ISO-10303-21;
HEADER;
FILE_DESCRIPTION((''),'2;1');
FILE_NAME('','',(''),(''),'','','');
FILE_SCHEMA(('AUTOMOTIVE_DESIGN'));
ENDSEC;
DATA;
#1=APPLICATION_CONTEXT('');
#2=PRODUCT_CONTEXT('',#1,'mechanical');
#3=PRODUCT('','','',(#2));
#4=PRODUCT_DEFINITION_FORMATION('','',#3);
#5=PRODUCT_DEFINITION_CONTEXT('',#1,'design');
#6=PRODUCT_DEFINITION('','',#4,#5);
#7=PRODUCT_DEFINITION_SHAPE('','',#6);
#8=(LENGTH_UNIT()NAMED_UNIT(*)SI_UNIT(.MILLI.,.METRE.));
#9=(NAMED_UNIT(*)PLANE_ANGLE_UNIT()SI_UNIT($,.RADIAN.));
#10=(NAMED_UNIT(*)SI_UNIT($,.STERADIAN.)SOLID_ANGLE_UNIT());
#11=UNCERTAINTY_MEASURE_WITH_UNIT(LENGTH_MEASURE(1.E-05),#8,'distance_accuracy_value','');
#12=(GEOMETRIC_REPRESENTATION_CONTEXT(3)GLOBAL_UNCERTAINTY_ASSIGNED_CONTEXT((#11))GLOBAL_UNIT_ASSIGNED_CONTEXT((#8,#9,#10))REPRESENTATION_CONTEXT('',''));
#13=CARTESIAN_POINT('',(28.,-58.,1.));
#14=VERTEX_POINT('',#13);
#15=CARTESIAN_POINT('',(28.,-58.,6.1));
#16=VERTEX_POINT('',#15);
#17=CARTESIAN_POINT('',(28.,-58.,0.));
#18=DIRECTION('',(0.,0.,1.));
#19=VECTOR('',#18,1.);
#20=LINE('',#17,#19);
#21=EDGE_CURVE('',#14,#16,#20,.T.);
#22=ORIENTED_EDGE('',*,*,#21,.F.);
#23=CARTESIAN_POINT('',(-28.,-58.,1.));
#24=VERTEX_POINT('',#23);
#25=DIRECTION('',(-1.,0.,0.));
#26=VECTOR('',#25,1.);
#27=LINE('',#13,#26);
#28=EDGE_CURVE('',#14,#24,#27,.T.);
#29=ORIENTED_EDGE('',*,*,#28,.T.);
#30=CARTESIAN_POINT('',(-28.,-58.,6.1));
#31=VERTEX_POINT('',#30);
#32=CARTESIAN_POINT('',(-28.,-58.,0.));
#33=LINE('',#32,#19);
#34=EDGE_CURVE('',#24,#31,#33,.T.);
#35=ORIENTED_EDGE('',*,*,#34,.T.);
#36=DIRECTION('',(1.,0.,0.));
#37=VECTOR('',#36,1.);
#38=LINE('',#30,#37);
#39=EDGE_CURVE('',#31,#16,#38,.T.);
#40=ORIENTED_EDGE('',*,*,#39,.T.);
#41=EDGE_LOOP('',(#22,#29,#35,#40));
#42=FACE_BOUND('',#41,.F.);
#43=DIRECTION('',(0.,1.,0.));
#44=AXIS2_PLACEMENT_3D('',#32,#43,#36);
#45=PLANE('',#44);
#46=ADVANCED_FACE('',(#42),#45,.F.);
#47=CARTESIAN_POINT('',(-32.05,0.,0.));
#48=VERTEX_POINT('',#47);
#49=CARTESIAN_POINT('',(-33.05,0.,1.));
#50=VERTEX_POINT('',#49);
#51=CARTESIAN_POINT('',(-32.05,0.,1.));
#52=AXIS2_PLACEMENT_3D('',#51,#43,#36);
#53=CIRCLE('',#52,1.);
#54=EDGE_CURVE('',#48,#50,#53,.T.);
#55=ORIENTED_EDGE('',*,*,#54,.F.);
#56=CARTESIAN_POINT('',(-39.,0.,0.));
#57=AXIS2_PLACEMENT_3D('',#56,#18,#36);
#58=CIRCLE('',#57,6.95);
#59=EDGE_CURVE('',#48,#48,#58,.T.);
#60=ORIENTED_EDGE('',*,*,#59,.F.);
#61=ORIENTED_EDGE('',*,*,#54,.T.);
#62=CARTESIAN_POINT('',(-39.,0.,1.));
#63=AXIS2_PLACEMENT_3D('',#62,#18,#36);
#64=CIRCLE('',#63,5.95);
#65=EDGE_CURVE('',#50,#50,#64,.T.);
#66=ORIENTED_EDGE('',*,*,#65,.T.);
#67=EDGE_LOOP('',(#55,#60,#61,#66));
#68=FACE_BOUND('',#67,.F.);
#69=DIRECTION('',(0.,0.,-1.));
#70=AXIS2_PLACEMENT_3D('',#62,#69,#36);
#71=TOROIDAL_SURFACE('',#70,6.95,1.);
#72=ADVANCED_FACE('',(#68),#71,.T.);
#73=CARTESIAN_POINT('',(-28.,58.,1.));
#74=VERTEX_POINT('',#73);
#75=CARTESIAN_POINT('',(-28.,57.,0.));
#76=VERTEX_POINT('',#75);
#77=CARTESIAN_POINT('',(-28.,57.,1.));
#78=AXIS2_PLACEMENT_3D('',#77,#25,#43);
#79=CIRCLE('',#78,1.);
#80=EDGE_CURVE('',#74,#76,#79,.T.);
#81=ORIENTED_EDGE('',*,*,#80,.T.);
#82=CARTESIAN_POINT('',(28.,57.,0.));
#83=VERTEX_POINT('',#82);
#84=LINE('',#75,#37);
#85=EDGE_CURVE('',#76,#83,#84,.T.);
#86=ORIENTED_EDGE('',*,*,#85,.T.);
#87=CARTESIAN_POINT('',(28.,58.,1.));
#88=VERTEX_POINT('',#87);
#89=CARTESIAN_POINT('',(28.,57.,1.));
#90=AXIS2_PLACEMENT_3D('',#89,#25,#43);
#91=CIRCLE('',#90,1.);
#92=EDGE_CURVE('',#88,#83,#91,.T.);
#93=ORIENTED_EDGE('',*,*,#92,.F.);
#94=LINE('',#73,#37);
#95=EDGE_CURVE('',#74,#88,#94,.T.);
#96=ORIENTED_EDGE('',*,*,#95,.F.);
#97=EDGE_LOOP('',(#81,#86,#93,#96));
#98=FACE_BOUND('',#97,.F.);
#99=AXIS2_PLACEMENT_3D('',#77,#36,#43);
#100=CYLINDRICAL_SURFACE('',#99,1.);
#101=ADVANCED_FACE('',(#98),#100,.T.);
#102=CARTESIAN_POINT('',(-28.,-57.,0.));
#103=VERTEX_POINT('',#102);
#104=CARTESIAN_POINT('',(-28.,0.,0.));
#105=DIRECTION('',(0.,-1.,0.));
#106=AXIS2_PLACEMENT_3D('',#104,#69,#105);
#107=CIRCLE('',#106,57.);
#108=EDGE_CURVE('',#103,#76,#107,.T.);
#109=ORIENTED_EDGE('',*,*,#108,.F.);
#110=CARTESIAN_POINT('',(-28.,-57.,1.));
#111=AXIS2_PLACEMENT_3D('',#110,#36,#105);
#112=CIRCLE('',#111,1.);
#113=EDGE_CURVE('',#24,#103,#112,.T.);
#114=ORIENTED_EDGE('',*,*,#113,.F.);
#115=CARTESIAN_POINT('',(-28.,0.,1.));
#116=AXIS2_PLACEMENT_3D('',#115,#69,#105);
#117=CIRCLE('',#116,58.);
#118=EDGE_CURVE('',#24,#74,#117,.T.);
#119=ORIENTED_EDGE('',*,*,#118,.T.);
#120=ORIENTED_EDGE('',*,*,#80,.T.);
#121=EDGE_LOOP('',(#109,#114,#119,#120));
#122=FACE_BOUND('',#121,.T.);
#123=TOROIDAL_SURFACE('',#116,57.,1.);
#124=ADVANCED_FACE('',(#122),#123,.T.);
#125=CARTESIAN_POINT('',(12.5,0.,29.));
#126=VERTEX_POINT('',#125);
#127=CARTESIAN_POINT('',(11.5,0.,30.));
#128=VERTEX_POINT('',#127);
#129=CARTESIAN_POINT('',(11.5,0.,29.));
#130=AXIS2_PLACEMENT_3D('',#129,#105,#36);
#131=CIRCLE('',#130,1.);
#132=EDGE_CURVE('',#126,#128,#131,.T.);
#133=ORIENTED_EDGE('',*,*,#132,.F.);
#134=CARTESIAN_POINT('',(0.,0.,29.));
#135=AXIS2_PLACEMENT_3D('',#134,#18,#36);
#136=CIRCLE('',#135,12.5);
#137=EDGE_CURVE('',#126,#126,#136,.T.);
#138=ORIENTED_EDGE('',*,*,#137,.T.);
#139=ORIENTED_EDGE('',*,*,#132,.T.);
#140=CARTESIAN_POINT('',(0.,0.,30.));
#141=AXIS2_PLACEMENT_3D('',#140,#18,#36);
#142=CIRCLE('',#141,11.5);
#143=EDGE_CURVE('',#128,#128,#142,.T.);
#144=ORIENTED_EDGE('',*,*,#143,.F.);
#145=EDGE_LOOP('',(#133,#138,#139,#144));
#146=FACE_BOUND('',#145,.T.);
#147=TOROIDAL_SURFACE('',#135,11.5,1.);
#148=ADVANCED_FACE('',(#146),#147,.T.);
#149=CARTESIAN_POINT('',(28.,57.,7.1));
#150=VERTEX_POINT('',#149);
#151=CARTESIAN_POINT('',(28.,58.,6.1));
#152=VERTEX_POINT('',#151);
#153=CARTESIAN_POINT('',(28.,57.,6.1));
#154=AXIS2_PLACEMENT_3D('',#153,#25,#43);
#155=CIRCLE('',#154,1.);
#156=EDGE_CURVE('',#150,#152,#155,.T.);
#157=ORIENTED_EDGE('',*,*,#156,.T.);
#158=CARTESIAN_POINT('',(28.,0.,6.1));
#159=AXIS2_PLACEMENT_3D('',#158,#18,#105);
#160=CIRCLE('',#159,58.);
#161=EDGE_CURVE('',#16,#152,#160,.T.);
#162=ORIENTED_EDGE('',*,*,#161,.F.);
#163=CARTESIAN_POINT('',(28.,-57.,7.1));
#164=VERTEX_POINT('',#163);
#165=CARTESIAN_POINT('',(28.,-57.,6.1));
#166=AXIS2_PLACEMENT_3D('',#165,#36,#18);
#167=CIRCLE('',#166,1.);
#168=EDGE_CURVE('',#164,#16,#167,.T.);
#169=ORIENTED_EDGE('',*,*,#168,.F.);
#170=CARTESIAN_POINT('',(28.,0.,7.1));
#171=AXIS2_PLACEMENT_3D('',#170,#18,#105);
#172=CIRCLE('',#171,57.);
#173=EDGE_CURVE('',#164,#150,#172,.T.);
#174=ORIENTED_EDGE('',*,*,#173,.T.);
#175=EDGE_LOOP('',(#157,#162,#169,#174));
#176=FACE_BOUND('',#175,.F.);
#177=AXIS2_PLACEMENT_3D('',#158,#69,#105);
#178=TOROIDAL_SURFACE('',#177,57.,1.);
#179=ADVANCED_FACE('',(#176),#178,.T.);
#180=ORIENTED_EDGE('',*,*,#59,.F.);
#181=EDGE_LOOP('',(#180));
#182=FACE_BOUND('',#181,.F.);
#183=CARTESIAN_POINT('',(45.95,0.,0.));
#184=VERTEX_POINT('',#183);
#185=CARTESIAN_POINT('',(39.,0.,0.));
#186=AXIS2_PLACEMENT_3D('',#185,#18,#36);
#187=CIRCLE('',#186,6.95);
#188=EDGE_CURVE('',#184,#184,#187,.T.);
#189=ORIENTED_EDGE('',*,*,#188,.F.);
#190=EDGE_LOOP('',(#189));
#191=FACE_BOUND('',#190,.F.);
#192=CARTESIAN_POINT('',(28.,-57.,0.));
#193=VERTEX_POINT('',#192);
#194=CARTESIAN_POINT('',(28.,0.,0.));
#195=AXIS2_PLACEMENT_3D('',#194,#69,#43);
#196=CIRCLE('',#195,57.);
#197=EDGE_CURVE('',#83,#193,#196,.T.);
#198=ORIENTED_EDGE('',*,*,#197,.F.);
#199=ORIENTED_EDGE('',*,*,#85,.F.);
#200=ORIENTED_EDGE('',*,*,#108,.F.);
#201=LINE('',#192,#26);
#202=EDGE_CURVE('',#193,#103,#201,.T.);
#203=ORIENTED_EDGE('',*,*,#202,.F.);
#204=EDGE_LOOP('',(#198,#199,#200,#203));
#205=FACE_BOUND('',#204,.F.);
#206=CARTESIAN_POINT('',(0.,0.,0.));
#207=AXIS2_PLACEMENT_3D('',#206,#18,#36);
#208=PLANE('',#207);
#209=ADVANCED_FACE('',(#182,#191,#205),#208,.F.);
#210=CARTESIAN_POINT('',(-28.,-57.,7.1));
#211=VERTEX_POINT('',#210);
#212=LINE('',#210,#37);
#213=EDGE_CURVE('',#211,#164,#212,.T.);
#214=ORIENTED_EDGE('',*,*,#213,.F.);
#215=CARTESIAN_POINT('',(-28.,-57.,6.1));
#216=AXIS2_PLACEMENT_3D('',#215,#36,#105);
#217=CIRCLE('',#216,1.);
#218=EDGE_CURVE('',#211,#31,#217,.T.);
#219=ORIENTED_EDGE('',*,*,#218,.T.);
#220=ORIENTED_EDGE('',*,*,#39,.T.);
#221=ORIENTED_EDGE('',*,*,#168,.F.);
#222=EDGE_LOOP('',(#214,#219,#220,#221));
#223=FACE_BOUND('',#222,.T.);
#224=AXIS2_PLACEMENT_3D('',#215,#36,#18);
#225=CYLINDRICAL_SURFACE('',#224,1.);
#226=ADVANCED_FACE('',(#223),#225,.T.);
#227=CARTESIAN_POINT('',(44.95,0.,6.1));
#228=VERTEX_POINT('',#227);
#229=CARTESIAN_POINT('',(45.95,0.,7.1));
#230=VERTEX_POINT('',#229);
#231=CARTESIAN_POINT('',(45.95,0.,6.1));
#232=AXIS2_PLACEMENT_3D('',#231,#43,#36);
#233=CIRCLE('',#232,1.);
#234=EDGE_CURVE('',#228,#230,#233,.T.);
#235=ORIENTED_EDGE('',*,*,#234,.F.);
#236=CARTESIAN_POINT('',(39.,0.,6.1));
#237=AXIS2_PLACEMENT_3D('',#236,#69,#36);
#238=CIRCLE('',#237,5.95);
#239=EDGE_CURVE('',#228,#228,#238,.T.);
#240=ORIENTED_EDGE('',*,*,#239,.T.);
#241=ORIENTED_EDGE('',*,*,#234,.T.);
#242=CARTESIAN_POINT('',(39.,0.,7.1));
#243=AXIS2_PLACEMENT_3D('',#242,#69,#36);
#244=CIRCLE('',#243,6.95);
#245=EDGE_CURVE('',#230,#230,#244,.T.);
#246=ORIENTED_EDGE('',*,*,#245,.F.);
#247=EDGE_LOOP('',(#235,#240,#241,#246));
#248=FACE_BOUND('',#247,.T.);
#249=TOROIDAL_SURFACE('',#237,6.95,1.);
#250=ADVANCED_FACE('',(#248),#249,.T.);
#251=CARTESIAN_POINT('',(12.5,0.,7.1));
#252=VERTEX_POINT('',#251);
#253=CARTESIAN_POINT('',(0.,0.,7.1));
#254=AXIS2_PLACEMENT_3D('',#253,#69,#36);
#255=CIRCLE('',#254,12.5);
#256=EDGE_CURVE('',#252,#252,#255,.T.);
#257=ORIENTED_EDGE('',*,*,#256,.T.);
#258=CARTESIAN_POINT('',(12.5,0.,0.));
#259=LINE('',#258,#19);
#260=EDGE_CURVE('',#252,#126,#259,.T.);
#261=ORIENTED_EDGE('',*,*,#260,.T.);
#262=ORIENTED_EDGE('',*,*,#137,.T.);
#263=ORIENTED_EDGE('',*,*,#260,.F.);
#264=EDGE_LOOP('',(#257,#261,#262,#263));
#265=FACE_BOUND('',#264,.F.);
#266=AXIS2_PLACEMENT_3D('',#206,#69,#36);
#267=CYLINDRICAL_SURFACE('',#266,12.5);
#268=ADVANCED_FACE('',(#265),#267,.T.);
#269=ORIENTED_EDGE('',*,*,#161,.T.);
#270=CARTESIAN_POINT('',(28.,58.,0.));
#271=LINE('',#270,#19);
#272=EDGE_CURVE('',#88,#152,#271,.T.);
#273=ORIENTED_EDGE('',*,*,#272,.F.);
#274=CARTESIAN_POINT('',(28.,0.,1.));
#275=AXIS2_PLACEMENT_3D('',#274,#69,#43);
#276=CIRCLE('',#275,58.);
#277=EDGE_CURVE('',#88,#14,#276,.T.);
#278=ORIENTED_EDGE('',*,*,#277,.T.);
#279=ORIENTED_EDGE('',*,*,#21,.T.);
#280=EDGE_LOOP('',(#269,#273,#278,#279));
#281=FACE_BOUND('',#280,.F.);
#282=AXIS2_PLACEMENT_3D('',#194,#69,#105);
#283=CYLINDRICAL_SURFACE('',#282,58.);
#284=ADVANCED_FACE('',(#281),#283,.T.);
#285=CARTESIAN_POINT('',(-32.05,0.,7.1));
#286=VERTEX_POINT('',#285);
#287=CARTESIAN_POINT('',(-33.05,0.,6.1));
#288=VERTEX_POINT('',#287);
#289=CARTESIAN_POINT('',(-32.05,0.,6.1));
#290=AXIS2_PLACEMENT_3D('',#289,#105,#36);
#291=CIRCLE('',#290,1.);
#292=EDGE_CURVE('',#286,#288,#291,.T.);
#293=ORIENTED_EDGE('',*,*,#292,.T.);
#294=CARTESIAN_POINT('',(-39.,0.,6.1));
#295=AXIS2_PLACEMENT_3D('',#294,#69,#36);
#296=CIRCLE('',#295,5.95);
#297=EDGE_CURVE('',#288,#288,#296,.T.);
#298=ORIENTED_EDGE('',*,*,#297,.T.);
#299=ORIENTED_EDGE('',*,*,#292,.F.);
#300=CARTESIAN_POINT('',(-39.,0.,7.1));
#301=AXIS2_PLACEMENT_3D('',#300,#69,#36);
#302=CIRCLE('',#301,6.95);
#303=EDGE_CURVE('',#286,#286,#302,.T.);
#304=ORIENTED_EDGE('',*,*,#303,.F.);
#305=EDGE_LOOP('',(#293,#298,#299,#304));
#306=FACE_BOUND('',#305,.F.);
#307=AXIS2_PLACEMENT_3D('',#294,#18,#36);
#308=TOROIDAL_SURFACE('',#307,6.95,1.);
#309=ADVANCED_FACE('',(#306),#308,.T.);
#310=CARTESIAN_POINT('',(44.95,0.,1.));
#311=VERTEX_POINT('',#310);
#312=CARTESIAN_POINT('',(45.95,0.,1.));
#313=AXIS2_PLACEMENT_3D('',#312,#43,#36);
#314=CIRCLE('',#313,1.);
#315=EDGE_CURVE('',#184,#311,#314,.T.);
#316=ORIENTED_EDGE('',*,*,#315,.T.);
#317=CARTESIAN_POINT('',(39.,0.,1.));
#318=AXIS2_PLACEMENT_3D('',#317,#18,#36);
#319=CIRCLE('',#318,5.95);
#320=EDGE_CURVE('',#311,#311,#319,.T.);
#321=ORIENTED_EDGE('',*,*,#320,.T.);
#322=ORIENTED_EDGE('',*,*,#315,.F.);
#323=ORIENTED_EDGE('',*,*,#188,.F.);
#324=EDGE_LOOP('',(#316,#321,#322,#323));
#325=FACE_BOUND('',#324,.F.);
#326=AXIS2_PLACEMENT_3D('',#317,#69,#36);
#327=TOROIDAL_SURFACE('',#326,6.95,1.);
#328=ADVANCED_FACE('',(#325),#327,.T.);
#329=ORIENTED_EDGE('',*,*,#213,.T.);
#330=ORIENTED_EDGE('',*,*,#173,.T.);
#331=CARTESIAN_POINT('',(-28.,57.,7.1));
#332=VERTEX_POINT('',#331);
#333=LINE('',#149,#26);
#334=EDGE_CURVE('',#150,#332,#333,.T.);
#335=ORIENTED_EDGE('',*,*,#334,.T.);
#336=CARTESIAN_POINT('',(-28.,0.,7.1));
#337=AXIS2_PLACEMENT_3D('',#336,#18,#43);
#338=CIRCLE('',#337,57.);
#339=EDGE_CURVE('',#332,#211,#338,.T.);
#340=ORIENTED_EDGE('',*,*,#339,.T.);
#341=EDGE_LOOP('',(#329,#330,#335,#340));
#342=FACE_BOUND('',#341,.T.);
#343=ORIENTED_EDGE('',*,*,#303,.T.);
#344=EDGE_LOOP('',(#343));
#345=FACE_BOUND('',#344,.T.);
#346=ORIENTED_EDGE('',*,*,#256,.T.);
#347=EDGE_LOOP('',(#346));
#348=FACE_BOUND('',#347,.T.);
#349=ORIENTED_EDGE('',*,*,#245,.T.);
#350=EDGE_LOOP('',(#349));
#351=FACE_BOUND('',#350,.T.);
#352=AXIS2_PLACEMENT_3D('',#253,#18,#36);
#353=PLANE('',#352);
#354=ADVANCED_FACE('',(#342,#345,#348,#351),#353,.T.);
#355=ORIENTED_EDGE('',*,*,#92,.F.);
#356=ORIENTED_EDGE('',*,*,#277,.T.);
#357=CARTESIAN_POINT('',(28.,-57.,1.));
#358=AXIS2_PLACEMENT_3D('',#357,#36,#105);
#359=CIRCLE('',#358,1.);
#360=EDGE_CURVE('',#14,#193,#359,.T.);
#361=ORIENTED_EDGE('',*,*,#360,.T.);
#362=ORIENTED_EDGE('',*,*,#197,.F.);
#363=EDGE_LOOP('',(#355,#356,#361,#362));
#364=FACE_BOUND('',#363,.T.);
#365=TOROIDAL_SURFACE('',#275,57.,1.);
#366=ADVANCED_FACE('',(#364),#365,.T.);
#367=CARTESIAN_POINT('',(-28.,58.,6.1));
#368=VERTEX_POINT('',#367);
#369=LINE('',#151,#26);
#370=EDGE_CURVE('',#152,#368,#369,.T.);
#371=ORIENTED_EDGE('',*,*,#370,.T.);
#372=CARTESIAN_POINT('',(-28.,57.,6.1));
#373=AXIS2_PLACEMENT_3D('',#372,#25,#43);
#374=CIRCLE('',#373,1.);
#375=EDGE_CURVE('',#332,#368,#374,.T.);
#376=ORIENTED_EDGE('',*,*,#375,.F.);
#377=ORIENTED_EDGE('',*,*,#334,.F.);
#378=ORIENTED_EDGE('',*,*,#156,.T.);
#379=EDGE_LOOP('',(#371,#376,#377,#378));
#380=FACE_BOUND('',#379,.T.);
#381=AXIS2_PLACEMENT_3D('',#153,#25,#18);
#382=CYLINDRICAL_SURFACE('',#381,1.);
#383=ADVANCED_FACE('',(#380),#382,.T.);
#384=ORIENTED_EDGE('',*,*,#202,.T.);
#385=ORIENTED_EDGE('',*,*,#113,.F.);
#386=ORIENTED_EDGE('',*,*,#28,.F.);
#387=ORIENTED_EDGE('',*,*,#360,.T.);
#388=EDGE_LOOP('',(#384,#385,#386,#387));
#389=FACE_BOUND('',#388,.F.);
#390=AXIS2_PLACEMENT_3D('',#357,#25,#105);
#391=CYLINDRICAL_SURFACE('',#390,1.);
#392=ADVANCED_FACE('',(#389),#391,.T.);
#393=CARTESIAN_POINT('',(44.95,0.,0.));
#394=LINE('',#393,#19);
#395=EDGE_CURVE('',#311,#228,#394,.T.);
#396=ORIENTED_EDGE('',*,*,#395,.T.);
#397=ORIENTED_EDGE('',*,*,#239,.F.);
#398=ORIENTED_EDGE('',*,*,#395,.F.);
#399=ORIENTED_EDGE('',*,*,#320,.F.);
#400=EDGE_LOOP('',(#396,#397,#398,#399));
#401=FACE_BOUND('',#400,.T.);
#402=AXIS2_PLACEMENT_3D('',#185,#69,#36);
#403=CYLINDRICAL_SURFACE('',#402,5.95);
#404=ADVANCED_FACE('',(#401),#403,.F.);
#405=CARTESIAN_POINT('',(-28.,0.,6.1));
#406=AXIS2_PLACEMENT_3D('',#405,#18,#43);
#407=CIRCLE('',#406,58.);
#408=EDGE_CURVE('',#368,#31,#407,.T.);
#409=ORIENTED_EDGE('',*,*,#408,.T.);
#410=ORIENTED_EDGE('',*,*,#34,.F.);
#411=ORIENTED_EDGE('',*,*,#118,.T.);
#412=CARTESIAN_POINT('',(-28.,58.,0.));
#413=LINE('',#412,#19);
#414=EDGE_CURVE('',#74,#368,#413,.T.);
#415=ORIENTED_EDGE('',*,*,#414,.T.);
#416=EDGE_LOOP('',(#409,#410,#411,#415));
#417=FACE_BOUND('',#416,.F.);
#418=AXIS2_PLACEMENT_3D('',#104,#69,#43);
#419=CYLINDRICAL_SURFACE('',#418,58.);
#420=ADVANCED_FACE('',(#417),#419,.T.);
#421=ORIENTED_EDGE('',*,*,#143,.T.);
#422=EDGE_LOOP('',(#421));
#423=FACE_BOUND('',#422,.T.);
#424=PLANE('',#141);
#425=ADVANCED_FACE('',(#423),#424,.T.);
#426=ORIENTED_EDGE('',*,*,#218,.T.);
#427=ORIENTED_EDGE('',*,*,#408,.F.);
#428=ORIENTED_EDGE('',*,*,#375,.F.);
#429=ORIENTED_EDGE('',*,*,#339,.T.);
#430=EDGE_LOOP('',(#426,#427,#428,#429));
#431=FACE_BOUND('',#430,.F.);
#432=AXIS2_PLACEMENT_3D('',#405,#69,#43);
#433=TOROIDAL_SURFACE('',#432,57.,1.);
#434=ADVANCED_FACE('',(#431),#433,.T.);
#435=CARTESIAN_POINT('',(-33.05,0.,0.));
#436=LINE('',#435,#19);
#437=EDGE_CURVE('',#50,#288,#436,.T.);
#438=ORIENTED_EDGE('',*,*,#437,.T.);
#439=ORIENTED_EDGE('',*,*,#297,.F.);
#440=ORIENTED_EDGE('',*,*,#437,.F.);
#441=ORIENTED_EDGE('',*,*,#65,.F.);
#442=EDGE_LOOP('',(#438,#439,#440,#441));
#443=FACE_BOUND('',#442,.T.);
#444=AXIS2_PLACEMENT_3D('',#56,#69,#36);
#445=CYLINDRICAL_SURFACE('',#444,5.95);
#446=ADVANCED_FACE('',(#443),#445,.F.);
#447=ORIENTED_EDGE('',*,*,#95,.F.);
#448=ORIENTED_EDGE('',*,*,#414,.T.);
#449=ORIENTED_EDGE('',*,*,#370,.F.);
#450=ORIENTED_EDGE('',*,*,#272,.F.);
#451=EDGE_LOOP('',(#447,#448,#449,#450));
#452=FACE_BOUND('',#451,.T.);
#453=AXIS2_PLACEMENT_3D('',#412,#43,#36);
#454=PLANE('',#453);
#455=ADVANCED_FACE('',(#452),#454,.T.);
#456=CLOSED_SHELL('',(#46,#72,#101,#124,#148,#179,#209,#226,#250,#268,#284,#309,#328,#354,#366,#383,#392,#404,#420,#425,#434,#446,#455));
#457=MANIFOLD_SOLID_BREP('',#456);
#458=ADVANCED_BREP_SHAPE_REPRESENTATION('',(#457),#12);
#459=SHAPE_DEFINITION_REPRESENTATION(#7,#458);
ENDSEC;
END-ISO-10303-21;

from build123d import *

# Parameters (mm, degrees)
PAD_DEPTH    = 7.1
SKETCH001_R  = 5.95
POCKET_DEPTH = 7.101
SKETCH004_R  = 12.5
PAD001_DEPTH = 30
FILLET_R     = 1
FILLET001_R  = 1
FILLET002_R  = 1
FILLET003_R  = 1
FILLET004_R  = 1
FILLET005_R  = 1
FILLET006_R  = 1


with BuildPart() as part:
    # Sketch → Pad (new body)
    with BuildSketch(Plane.XY):
        with BuildLine():
            ThreePointArc((-28, 58), (-86, 0), (-28, -58))
            Line((-28, -58), (28, -58))
            ThreePointArc((28, -58), (86, 0), (28, 58))
            Line((-28, 58), (28, 58))
        make_face()
    extrude(amount=PAD_DEPTH)

    # Sketch001 → Pocket (cut, through all)
    with BuildSketch(Plane.XY):
        with Locations((39, 0)):
            Circle(SKETCH001_R)
        with Locations((-39, 0)):
            Circle(SKETCH001_R)
    extrude(amount=POCKET_DEPTH, mode=Mode.SUBTRACT)

    # Sketch004 → Pad001 (join)
    with BuildSketch(Plane.XY):
        Circle(SKETCH004_R)
    extrude(amount=PAD001_DEPTH)

    # Fillet
    fillet_edges = [part.edges().sort_by_distance(p)[0] for p in [
        (-12.5, 0, 30),
    ]]
    fillet(fillet_edges, radius=FILLET_R)

    # Fillet001
    fillet001_edges = [part.edges().sort_by_distance(p)[0] for p in [
        (-86, 0, 7.1),
        (0, 58, 7.1),
        (86, 0, 7.1),
        (0, -58, 7.1),
    ]]
    fillet(fillet001_edges, radius=FILLET001_R)

    # Fillet002
    fillet002_edges = [part.edges().sort_by_distance(p)[0] for p in [
        (0, 58, 0),
        (-86, 0, 0),
        (0, -58, 0),
        (86, 0, 0),
    ]]
    fillet(fillet002_edges, radius=FILLET002_R)

    # Fillet003
    fillet003_edges = [part.edges().sort_by_distance(p)[0] for p in [
        (33.05, 0, 0),
    ]]
    fillet(fillet003_edges, radius=FILLET003_R)

    # Fillet004
    fillet004_edges = [part.edges().sort_by_distance(p)[0] for p in [
        (-44.95, 0, 0),
    ]]
    fillet(fillet004_edges, radius=FILLET004_R)

    # Fillet005
    fillet005_edges = [part.edges().sort_by_distance(p)[0] for p in [
        (33.05, 0, 7.1),
    ]]
    fillet(fillet005_edges, radius=FILLET005_R)

    # Fillet006
    fillet006_edges = [part.edges().sort_by_distance(p)[0] for p in [
        (-44.95, 0, 7.1),
    ]]
    fillet(fillet006_edges, radius=FILLET006_R)


solid = part.part
